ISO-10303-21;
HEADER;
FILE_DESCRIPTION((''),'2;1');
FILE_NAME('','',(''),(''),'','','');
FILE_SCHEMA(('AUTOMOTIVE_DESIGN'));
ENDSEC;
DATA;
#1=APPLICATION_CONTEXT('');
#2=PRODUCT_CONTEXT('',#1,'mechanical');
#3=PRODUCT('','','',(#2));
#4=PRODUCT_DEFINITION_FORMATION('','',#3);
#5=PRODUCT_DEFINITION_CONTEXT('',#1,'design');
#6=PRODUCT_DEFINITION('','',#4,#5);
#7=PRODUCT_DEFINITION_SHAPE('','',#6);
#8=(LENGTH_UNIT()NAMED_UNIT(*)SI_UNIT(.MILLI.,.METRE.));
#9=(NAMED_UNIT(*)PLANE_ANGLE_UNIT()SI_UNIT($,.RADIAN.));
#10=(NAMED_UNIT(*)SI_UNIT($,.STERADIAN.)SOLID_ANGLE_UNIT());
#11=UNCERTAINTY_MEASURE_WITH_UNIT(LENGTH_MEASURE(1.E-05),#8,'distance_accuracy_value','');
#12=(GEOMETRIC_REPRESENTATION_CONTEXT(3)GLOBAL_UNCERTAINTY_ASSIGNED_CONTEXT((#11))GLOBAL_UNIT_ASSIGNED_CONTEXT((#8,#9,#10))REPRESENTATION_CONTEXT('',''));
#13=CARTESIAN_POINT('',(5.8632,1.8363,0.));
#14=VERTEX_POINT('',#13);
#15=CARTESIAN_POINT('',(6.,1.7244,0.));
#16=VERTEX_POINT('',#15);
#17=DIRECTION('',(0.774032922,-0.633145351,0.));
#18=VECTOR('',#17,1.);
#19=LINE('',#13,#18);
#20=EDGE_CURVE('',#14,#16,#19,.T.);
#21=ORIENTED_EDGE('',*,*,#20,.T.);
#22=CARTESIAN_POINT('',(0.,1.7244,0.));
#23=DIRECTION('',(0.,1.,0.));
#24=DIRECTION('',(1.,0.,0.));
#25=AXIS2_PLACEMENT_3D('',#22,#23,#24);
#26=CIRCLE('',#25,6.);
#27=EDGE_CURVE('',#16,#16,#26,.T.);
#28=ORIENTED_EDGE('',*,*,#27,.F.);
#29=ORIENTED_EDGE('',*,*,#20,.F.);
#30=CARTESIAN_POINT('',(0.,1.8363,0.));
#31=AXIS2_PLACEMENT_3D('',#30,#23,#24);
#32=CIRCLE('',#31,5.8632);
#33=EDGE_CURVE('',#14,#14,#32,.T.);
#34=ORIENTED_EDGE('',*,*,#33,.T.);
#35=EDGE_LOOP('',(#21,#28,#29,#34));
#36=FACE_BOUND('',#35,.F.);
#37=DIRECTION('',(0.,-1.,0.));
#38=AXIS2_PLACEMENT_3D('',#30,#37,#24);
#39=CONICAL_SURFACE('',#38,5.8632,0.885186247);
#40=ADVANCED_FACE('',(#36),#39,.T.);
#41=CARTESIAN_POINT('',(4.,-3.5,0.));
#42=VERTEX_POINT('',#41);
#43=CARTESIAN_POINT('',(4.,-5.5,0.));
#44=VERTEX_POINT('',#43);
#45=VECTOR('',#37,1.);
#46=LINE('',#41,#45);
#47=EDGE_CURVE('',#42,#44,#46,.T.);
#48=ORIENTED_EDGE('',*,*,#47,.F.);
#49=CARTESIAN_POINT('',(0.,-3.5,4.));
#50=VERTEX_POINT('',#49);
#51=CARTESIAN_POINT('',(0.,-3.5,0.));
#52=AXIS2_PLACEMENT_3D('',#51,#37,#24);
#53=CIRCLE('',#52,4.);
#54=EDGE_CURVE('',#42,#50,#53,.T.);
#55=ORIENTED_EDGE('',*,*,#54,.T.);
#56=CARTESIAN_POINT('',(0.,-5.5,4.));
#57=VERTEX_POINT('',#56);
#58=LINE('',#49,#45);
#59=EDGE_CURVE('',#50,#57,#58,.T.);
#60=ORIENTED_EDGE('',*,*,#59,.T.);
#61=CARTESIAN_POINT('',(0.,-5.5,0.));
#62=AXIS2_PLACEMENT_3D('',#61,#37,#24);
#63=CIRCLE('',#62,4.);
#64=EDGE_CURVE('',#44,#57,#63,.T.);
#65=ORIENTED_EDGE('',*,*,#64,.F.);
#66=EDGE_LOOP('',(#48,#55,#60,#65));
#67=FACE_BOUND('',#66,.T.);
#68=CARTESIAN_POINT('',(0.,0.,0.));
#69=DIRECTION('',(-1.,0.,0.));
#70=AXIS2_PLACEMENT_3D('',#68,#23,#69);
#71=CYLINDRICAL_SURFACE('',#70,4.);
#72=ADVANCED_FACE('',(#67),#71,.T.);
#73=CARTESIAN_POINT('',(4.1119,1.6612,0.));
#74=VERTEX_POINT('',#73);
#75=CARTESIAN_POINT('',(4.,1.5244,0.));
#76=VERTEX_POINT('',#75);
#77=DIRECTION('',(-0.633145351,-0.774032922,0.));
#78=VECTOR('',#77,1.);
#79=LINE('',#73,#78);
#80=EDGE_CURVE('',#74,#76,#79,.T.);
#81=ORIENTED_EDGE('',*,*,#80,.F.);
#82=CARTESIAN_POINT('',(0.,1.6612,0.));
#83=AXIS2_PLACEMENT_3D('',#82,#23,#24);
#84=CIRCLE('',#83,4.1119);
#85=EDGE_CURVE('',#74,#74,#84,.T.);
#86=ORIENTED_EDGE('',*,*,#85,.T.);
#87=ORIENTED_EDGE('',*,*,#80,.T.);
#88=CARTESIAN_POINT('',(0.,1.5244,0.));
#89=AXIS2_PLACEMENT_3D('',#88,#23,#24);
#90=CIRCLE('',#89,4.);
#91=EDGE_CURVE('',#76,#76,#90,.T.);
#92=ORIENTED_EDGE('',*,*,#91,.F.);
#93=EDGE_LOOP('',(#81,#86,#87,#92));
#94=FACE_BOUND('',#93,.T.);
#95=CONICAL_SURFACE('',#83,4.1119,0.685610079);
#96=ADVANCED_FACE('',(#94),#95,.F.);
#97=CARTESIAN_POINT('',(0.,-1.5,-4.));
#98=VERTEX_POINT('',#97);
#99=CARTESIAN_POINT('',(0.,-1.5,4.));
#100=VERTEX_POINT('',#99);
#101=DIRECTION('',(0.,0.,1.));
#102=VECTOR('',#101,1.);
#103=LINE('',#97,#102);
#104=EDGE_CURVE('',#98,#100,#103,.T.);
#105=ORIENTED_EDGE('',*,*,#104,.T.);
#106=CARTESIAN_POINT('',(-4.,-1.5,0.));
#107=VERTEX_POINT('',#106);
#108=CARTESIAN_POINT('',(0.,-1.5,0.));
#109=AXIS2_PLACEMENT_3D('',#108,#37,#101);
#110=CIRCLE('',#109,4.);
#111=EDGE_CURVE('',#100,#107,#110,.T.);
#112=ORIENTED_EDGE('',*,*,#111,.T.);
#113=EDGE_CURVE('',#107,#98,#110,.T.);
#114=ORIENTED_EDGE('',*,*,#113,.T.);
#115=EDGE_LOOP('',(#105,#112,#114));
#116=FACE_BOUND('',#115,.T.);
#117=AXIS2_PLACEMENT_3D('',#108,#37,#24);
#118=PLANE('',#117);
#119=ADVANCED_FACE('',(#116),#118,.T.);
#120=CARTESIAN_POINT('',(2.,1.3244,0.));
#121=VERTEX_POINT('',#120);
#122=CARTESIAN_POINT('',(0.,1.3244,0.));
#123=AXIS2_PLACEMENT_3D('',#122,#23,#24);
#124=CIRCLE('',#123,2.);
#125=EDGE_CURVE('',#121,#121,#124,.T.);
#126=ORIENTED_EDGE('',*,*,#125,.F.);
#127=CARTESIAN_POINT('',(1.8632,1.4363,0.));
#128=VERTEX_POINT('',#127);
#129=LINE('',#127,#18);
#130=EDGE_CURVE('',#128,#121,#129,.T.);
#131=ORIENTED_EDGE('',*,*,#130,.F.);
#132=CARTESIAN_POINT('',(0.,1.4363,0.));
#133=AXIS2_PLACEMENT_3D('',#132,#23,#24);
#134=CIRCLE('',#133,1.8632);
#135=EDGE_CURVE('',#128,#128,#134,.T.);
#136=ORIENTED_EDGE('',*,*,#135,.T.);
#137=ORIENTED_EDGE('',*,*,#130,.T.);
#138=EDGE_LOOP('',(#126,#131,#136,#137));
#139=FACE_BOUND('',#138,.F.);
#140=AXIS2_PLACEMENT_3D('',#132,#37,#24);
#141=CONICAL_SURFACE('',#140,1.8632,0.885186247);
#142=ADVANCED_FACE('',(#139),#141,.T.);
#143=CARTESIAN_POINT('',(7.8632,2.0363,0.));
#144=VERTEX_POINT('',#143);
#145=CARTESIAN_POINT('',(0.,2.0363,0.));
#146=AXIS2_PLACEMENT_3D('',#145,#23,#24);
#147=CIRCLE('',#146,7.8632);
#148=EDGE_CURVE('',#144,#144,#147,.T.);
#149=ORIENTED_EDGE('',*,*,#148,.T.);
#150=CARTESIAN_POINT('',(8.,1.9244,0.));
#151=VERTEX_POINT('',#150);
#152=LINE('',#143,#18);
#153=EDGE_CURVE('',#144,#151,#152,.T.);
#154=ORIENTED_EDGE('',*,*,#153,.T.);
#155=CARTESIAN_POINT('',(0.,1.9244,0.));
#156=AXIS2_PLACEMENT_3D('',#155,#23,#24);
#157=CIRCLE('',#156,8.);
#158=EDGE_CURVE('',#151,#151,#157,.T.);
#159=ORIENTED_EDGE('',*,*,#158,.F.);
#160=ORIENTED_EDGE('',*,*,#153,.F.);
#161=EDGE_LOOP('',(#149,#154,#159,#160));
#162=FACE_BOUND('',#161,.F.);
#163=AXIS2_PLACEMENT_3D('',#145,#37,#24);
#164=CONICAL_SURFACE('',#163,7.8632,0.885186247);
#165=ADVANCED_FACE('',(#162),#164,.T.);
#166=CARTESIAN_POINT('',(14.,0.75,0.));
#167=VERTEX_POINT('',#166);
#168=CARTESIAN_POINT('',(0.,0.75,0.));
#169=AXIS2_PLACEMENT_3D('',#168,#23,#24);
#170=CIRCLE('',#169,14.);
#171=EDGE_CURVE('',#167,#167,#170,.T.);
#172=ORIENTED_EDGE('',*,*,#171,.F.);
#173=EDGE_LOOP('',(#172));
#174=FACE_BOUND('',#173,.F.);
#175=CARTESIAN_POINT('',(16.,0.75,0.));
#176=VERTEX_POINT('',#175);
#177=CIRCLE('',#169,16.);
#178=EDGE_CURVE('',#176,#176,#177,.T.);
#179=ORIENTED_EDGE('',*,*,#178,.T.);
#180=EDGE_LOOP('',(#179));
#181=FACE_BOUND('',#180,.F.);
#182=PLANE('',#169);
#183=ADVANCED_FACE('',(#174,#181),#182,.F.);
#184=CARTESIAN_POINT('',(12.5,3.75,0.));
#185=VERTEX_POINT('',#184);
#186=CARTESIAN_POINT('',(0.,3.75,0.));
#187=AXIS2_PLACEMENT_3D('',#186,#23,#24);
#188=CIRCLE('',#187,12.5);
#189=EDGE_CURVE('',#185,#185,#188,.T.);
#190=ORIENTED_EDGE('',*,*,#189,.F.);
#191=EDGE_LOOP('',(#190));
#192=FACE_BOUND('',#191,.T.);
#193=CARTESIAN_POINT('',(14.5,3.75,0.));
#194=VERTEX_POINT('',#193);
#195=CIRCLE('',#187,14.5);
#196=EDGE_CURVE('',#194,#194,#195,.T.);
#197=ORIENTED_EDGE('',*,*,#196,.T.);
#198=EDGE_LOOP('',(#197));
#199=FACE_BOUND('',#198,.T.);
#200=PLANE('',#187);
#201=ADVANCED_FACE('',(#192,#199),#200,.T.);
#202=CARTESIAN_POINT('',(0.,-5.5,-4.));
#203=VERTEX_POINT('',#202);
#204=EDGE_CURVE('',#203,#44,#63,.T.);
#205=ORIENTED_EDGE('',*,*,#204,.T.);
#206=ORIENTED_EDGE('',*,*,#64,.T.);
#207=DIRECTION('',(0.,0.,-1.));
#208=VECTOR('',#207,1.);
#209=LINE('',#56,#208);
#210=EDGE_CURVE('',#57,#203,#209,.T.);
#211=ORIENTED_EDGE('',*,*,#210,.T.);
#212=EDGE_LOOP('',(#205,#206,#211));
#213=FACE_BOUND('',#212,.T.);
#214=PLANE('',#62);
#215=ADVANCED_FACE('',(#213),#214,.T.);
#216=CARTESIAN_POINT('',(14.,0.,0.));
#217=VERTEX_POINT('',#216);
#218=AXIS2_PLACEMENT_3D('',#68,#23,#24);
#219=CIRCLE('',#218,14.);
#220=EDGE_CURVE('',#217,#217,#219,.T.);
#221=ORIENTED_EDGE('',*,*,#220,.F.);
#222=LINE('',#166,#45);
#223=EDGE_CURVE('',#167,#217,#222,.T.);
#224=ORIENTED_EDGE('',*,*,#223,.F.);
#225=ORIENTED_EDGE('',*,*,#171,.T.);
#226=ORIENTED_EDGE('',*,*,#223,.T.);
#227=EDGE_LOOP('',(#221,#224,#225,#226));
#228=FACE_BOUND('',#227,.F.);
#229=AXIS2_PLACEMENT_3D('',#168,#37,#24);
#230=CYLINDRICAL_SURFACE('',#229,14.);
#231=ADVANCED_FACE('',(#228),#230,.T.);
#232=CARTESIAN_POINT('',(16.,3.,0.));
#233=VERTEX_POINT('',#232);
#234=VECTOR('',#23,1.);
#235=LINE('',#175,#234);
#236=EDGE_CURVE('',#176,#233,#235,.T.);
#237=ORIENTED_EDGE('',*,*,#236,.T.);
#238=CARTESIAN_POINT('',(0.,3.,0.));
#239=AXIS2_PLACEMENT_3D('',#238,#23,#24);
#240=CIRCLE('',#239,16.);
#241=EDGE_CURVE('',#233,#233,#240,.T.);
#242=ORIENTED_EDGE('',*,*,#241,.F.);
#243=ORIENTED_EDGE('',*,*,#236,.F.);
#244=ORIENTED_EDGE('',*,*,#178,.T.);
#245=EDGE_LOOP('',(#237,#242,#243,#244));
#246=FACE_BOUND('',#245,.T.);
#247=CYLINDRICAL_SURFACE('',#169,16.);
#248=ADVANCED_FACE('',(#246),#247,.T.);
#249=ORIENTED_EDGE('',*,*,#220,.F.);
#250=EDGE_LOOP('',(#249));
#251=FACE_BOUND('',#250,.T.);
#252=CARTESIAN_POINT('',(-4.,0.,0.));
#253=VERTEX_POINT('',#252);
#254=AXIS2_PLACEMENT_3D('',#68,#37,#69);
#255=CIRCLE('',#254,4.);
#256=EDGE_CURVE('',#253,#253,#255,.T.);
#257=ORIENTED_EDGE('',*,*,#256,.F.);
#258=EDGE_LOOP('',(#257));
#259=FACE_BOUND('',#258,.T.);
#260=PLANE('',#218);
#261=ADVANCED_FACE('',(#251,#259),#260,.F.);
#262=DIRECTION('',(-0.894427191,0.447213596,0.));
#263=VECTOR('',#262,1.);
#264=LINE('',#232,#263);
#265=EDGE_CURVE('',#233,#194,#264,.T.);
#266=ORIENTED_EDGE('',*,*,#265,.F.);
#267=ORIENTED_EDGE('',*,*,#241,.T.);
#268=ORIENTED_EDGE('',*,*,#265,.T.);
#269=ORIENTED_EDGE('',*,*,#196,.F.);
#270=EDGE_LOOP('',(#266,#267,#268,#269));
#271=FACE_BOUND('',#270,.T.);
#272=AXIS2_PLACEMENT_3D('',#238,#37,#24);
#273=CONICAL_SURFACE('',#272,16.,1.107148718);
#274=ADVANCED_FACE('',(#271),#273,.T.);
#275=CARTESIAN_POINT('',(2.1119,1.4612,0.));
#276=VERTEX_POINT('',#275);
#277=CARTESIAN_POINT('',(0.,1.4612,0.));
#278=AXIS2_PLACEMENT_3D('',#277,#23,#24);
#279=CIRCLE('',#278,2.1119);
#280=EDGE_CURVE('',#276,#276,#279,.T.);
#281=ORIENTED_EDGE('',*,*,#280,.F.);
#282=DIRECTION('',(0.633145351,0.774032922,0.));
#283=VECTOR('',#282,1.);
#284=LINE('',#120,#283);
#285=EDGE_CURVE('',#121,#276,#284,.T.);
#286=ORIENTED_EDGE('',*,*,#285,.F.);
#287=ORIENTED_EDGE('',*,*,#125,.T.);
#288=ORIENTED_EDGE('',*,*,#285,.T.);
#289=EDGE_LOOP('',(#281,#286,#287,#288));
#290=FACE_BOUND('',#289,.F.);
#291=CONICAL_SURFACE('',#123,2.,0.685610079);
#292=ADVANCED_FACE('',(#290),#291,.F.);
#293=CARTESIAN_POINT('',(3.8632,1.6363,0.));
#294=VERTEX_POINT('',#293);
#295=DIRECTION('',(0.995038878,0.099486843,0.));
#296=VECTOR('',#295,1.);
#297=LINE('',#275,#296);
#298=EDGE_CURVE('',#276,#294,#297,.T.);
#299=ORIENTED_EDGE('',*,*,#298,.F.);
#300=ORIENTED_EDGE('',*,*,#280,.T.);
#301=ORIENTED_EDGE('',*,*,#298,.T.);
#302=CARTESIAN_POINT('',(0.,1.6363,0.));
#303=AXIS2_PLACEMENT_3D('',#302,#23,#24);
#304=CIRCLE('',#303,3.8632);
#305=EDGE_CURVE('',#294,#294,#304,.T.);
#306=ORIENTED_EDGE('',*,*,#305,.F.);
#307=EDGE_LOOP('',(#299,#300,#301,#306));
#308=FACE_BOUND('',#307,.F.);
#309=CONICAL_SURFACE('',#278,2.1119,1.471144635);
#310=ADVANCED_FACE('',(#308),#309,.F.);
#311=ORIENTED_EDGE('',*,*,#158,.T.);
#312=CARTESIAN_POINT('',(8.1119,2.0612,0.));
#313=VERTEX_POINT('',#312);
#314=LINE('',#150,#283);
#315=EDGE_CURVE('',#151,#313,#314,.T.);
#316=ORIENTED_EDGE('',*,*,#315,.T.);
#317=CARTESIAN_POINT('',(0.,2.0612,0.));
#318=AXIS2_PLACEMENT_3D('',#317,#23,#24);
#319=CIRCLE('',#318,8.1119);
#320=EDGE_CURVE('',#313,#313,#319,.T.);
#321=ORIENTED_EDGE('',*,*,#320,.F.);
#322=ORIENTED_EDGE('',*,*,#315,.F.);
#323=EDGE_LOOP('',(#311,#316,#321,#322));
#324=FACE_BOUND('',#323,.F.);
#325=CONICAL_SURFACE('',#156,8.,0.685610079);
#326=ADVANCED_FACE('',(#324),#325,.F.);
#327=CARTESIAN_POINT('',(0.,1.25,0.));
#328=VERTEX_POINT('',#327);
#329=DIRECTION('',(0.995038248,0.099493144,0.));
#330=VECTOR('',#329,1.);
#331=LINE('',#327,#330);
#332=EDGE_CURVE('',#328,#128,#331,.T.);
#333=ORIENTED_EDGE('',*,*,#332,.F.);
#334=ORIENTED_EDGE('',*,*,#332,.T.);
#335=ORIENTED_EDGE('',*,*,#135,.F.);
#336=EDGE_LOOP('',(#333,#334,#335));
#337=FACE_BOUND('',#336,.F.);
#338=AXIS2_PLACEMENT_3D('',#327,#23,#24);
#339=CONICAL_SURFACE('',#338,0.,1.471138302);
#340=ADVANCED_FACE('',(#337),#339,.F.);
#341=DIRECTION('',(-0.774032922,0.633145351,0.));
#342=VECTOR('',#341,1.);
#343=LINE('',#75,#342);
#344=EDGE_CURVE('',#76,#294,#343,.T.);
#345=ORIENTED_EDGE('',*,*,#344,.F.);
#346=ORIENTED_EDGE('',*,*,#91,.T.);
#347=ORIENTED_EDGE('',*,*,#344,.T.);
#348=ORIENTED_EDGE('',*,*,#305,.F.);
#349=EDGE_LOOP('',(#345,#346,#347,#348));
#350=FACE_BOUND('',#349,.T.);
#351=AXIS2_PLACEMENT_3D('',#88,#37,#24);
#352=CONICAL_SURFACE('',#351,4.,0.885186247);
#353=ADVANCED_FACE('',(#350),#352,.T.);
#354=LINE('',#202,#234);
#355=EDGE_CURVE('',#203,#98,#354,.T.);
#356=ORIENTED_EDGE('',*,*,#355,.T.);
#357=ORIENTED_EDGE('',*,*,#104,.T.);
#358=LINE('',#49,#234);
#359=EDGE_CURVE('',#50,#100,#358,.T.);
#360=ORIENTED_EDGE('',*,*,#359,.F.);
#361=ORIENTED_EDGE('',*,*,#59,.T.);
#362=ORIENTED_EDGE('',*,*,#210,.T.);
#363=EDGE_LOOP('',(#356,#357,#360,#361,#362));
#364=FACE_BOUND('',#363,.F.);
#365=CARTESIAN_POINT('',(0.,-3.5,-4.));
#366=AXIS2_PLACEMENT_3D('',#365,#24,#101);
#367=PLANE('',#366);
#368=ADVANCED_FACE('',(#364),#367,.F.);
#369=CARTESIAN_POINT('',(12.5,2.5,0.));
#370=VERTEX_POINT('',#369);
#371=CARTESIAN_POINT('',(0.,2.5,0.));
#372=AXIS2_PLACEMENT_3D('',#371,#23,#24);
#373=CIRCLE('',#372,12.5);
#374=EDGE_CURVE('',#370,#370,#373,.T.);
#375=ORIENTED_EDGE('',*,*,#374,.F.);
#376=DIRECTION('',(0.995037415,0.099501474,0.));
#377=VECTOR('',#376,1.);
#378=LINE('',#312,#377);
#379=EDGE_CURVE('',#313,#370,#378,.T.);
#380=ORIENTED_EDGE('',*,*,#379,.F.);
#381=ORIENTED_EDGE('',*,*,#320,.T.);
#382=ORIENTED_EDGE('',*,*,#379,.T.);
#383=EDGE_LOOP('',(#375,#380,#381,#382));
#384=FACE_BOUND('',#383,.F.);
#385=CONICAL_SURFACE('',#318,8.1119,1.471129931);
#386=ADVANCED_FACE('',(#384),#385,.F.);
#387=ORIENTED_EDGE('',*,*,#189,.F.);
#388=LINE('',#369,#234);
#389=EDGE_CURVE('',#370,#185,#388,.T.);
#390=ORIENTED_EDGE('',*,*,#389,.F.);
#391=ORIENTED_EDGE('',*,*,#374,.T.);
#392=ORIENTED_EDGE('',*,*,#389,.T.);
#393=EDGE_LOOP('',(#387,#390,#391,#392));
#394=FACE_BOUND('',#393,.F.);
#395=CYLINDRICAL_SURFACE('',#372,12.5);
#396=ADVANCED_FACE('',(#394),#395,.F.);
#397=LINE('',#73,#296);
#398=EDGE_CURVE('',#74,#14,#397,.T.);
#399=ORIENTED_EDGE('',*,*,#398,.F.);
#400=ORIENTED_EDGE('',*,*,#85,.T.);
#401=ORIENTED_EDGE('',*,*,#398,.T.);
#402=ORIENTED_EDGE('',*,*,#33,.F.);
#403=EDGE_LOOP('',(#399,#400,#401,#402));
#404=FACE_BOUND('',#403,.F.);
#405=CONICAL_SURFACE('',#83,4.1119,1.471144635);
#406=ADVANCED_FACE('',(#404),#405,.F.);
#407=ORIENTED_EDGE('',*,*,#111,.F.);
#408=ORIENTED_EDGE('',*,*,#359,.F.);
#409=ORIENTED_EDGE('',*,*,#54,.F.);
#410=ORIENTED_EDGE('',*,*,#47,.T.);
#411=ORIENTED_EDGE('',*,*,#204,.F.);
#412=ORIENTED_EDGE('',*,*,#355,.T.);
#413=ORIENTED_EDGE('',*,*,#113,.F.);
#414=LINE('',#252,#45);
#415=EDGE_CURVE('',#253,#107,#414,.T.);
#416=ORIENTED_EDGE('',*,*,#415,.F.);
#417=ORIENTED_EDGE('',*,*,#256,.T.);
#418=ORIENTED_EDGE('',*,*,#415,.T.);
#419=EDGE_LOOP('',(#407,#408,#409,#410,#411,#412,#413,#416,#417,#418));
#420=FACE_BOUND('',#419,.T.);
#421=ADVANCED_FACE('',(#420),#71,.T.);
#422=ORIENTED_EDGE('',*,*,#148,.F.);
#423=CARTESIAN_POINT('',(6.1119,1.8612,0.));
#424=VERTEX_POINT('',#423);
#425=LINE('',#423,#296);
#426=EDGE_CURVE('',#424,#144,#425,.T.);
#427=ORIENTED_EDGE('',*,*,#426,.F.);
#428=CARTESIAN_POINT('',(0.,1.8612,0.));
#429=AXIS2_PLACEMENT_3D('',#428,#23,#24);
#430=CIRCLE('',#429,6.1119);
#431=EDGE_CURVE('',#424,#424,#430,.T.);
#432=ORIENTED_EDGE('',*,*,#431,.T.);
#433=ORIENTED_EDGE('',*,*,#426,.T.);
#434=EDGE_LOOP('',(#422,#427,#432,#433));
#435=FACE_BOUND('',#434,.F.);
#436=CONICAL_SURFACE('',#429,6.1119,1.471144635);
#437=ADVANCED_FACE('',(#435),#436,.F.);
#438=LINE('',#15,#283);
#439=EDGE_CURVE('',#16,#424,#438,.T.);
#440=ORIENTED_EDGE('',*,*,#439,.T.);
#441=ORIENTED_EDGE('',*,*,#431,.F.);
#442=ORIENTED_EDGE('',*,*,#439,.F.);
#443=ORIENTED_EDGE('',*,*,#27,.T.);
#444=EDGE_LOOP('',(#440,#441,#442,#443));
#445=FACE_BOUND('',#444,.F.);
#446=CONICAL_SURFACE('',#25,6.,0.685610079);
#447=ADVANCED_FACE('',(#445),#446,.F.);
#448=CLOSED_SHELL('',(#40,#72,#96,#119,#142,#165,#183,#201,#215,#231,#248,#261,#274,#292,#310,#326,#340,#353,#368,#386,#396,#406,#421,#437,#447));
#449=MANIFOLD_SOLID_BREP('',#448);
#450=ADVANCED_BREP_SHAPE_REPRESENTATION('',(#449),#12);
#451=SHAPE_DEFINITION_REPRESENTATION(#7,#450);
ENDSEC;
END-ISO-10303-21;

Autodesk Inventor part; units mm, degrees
ref_plane "YZ Plane" through (0, 0, 0) normal (1, 0, 0) x (0, 1, 0)
ref_plane "XZ Plane" through (0, 0, 0) normal (0, 1, 0) x (-1, 0, 0)
ref_plane "XY Plane" through (0, 0, 0) normal (0, 0, 1) x (1, 0, 0)
sketch "Sketch1" plane through (0, 0, 0) normal (0, 1, 0) x (-1, 0, 0)
  circle A0 centre (0, 0) radius 4
  line L0 (0, 0) -> (4, 0) construction
  line L1 (0, 0) -> (0, -4) construction
  line L2 (0, 0) -> (-4, 0) construction
  line L3 (0, 0) -> (0, 4) construction
  dimension "d0" = 8
extrude "Extrusion1" add sketch "Sketch1" against normal blind 3.5
ref_plane "Work Plane1" through (0, 0, 0) normal (0, 0, 1) x (1, 0, 0)
sketch "Sketch2" plane through (0, 0, 0) normal (0, 0, 1) x (1, 0, 0)
  line L0 (-4, 0) -> (4, 0) projected
  line L1 (4, 0) -> (14, 0)
  line L2 (16, 0.75) -> (16, 3)
  line L3 (14.5, 3.75) -> (12.5, 3.75)
  line L4 (0, 0) -> (0, 1.25)
  line L5 (4, 0) -> (4, 1.5959) construction
  line L6 (16, 0.75) -> (14, 0.75)
  line L7 (14, 0.75) -> (14, 0)
  line L8 (16, 3) -> (14.5, 3.75)
  line L9 (12.5, 2.5) -> (12.5, 3.75)
  line L10 (5.8632, 1.8363) -> (6, 1.7244)
  line L11 (6, 1.7244) -> (6.1119, 1.8612)
  line L12 (4.1119, 1.6612) -> (4, 1.5244)
  line L13 (4, 1.5244) -> (3.8632, 1.6363)
  line L14 (1.8632, 1.4363) -> (2, 1.3244)
  line L15 (2, 1.3244) -> (2.1119, 1.4612)
  line L16 (0, 1.25) -> (1.8632, 1.4363)
  line L17 (2.1119, 1.4612) -> (3.8632, 1.6363)
  line L18 (4.1119, 1.6612) -> (5.8632, 1.8363)
  line L19 (4, 1.5244) -> (4, 3.125) construction
  line L20 (6, 1.7244) -> (6, 3.125) construction
  line L21 (6, 3.125) -> (4, 3.125) construction
  line L22 (4, 3.125) -> (2, 3.125) construction
  line L23 (2, 3.125) -> (0, 3.125) construction
  line L24 (1.8632, 1.4363) -> (2.1119, 1.4612) construction
  line L25 (3.8632, 1.6363) -> (4.1119, 1.6612) construction
  line L26 (5.8632, 1.8363) -> (6.1119, 1.8612) construction
  line L27 (1.9876, 1.4488) -> (2, 1.3244) construction
  line L28 (4, 1.65) -> (4, 1.5244) construction
  line L29 (2, 1.3244) -> (2, 3.125) construction
  line L30 (7.8632, 2.0363) -> (8, 1.9244)
  line L31 (8, 1.9244) -> (8.1119, 2.0612)
  line L32 (8, 1.9244) -> (8, 3.125) construction
  line L33 (6.1119, 1.8612) -> (7.8632, 2.0363)
  line L34 (8.1119, 2.0612) -> (12.5, 2.5)
  line L35 (8, 3.125) -> (6, 3.125) construction
  line L36 (8, 3.125) -> (12.5, 3.125) construction
  point P0 (6, 1.85)
  dimension "d8" = 16
  dimension "d11" = 14
  dimension "d12" = 0.75
  dimension "d13" = 3
  dimension "d14" = 0.75
  dimension "d15" = 1.5
  dimension "d16" = 1.25
  dimension "d19" = 3.5
  dimension "d23" = 1.25
  dimension "d25" = 0.125
  dimension "d26" = 2
  dimension "d32" = 2
revolve "Revolution1" add sketch "Sketch2" angle 360 about axis through (0, 0, 0) along (0, 1, 0)
sketch "Sketch3" plane through (0, -3.5, 0) normal (0, -1, 0) x (1, 0, 0)
  point P0 (0, 0)
  point P1 (0, 0)
sketch "Sketch4" plane through (0, -3.5, 0) normal (0, -1, 0) x (1, 0, 0)
  circle A0 centre (0, 0) radius 4 projected
  circle A1 centre (0, 0) radius 4 projected
  arc A2 (0, -4) -> (0, 4) centre (0, 0) ccw
  line L0 (0, 4) -> (0, -4)
extrude "Extrusion2" add sketch "Sketch4" along normal blind 2 contours A0 L0 picked at (0.5785, 1.2013)
sketch "Sketch5" plane through (0, -3.5, 0) normal (0, -1, 0) x (1, 0, 0)
  line L0 (0, -4) -> (0, 4) projected
  arc A0 (0, 4) -> (0, -4) centre (0, 0) ccw projected
extrude "Extrusion3" cut sketch "Sketch5" against normal blind 2
properties part number "Caps 8mm Square Rounded Caps Male2"
